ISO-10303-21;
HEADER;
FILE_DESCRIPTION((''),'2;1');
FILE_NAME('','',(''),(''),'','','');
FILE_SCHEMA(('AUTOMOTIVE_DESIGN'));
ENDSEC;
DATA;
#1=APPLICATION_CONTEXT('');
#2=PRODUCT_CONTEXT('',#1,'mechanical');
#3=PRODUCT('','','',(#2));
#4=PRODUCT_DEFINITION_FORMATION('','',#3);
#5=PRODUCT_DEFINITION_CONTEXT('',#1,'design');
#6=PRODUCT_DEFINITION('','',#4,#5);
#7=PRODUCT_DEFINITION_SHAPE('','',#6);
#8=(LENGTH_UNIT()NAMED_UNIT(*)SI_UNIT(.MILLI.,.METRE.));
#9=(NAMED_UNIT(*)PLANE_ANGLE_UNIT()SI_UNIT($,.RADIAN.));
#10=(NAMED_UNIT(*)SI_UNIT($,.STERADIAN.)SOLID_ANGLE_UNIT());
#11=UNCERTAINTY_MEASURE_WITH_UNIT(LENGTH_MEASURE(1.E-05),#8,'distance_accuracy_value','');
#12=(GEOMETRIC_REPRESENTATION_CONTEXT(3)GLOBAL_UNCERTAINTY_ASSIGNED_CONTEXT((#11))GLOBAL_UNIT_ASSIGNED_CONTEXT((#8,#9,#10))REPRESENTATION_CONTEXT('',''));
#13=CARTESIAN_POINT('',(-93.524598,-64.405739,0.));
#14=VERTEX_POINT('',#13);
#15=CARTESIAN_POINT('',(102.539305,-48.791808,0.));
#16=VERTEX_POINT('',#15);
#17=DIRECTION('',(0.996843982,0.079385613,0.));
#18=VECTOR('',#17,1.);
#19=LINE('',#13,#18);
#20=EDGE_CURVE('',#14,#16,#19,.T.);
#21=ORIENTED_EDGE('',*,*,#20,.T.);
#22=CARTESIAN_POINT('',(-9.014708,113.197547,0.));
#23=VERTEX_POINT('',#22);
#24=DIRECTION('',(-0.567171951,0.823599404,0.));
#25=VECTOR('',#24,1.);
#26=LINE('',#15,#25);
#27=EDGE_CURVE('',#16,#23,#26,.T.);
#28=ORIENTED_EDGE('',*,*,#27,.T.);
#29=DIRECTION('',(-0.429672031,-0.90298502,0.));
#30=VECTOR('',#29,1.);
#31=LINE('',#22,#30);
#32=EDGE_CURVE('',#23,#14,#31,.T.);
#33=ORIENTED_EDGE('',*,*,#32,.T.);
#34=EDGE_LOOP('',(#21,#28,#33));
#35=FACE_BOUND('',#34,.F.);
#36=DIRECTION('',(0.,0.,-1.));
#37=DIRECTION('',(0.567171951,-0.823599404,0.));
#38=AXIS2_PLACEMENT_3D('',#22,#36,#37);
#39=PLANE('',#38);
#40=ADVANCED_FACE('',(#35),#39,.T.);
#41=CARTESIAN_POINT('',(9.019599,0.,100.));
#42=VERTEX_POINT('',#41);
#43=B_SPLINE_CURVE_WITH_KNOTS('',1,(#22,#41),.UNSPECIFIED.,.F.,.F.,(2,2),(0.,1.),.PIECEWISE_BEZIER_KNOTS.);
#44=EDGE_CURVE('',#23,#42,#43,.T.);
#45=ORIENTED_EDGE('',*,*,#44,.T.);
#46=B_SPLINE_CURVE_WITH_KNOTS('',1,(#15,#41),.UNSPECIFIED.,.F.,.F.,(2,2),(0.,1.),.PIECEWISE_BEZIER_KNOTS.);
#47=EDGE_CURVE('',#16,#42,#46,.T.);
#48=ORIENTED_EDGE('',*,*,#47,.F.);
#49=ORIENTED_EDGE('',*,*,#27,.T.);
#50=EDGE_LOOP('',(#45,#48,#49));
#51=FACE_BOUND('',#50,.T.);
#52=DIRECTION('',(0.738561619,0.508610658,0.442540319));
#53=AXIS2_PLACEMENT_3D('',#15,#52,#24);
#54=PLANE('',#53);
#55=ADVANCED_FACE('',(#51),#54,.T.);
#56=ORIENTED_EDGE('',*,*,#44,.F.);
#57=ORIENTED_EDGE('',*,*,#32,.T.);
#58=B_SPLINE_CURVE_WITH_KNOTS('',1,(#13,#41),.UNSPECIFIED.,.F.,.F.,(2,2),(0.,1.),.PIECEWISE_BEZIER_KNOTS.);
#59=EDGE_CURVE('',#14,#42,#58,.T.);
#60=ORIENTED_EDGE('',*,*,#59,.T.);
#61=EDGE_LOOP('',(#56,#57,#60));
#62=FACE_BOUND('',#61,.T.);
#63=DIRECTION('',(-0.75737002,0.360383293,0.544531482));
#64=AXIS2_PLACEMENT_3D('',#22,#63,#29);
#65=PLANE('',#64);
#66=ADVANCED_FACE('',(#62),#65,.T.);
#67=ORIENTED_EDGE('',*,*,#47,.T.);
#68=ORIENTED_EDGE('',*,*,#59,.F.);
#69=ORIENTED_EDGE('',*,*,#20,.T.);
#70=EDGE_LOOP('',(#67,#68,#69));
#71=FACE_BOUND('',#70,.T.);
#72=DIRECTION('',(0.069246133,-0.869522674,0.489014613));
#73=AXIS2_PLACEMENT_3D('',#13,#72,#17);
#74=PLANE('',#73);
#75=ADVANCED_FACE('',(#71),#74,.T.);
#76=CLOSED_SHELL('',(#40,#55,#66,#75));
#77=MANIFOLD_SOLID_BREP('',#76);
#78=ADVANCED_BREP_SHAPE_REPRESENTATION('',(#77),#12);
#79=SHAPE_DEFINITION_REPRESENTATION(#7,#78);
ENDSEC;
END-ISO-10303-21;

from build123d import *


with BuildPart() as f3:
    # F0 (on Top) → F3 section 0
    with BuildSketch(Plane.XY, mode=Mode.PRIVATE) as f3_s0:
        Polygon((-9.014708, 113.197547), (-93.524598, -64.405739), (102.539305, -48.791808), align=None)
    loft([f3_s0.sketch, Vertex(9.019599, 0, 100)])


solid = f3.part
